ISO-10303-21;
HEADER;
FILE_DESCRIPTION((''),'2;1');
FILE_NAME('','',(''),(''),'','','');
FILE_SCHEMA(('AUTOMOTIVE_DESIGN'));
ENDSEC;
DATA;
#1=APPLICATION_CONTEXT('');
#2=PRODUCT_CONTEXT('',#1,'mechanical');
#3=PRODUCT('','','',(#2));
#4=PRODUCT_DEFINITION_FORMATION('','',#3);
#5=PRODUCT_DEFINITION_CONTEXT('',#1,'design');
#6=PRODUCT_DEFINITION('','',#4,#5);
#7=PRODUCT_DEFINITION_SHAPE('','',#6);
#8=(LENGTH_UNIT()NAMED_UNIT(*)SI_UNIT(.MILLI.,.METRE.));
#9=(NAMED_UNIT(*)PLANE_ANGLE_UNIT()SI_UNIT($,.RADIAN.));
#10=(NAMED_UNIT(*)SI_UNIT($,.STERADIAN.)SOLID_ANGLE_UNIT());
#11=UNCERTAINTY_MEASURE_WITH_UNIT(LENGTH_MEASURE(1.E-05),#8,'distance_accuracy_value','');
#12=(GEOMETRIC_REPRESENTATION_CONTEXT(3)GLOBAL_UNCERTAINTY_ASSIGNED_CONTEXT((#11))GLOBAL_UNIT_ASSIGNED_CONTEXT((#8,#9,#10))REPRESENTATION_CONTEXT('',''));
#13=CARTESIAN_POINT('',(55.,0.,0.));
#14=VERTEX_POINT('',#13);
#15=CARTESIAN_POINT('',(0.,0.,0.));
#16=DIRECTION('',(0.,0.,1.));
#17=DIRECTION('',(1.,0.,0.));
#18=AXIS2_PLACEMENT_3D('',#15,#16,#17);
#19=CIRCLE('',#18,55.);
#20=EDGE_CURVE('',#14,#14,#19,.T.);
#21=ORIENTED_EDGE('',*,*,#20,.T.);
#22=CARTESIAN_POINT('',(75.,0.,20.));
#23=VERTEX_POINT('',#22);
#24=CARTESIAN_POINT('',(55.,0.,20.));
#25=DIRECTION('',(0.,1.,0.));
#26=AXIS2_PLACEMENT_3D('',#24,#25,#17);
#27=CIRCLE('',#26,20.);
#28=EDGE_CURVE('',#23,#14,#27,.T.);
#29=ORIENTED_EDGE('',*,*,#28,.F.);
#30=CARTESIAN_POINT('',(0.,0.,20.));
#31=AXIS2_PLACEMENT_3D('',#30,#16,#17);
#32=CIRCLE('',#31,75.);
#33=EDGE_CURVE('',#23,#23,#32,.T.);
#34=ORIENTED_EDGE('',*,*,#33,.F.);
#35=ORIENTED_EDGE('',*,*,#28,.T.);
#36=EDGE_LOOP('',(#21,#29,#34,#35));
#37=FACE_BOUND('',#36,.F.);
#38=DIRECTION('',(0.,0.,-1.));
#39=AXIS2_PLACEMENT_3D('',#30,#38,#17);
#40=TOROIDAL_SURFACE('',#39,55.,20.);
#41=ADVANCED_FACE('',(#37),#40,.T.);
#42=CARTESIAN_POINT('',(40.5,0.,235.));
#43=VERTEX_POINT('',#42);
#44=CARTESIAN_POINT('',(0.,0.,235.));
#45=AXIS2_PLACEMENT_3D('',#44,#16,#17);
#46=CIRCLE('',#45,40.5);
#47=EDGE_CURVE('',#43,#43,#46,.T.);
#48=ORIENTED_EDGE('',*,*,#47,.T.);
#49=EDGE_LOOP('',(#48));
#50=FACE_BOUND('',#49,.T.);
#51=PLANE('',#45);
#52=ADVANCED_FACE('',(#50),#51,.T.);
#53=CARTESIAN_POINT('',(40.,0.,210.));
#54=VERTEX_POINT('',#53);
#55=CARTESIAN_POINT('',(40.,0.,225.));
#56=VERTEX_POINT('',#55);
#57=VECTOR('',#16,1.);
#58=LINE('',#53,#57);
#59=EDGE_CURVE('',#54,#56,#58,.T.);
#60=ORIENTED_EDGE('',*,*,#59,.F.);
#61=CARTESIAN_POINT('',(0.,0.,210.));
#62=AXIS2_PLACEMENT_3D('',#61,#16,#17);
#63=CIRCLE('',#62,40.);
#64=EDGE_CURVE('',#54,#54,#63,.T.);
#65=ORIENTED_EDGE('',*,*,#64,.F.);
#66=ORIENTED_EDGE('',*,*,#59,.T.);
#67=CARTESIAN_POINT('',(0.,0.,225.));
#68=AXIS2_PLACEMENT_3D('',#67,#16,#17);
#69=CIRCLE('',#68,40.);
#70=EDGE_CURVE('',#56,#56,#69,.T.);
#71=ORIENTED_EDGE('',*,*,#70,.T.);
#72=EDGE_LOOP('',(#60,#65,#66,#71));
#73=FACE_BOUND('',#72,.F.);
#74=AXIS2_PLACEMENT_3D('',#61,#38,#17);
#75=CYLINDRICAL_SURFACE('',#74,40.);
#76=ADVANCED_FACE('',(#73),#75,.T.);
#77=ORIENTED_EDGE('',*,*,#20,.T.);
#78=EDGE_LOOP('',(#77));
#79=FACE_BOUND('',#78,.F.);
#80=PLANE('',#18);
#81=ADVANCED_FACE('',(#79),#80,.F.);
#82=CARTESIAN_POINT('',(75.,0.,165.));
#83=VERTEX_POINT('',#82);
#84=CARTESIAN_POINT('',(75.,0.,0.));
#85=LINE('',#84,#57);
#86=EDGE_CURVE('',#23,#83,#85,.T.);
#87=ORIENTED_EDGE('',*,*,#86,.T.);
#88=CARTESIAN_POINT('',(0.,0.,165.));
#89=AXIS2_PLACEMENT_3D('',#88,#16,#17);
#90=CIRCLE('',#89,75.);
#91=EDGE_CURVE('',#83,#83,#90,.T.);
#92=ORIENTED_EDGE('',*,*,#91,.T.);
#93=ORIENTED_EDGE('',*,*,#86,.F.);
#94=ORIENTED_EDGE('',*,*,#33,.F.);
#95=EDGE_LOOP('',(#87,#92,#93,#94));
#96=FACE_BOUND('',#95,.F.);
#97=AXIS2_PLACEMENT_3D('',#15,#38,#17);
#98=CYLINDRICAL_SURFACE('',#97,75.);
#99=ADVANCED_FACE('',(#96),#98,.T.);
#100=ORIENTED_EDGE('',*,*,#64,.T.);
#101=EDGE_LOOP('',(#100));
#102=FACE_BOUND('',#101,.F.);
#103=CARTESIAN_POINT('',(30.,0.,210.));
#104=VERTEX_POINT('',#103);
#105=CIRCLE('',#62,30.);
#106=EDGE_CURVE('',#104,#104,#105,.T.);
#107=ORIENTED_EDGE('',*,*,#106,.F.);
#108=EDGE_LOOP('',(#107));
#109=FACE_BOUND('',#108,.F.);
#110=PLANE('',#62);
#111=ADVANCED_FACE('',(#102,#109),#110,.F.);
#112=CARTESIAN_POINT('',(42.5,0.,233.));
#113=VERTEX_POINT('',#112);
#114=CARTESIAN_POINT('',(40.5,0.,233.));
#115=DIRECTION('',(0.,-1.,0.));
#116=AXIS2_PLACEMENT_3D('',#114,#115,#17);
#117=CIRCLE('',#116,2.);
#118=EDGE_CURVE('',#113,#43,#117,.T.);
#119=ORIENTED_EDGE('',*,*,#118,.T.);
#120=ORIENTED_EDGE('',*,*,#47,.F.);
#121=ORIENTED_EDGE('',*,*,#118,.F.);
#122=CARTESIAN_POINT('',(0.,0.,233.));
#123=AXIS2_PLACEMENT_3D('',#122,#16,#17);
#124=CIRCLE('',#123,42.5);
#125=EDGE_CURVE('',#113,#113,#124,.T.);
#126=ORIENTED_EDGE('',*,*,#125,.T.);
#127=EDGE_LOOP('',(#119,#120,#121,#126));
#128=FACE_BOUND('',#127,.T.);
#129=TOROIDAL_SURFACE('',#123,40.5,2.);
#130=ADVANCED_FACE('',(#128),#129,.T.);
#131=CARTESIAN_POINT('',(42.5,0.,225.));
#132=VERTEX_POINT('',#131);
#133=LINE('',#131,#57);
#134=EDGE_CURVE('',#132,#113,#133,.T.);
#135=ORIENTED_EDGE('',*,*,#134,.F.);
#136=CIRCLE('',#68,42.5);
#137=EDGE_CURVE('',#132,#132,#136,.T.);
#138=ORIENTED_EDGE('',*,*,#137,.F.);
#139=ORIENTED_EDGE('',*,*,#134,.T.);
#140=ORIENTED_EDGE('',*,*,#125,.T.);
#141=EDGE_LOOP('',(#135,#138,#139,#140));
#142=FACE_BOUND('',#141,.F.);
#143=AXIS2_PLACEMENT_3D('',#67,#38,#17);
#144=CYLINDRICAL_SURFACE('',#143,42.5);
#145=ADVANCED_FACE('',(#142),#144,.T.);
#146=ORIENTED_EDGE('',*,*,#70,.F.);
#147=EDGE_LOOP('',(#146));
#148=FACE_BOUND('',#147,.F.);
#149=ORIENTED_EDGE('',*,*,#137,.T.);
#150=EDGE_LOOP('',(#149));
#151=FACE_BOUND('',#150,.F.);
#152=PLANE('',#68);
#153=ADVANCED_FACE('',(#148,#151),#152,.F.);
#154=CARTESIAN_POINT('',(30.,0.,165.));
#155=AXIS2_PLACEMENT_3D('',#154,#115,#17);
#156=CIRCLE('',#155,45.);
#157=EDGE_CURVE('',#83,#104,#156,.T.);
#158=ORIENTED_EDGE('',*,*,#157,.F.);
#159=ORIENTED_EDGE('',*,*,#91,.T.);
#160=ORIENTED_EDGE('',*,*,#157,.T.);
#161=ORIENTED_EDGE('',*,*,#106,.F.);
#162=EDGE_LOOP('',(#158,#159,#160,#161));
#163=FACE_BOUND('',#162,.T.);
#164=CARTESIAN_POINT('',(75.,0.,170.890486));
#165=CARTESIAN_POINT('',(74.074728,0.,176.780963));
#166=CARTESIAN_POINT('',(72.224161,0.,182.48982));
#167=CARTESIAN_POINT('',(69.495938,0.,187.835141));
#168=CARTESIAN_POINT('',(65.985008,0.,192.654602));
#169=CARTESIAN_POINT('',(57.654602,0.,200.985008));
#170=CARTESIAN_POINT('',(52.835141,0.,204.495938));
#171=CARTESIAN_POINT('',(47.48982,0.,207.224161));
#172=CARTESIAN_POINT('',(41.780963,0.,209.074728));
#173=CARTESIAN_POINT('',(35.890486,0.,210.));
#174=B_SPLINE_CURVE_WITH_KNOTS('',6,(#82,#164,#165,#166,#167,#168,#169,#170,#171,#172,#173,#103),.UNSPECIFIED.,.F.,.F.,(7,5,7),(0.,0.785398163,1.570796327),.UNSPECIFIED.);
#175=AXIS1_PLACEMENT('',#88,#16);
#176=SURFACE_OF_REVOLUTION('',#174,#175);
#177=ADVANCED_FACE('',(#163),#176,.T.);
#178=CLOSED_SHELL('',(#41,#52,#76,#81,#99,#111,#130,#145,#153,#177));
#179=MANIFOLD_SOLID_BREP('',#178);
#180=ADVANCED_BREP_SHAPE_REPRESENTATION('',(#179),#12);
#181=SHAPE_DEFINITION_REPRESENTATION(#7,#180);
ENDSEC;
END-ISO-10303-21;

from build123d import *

# Parameters (mm, degrees)
SKETCH_R     = 75
PAD_DEPTH    = 210
FILLET_R     = 45
FILLET001_R  = 20
SKETCH001_R  = 40
PAD001_DEPTH = 15
SKETCH002_R  = 42.5
PAD002_DEPTH = 10
FILLET002_R  = 2


with BuildPart() as part:
    # Sketch → Pad (new body)
    with BuildSketch(Plane.XY):
        Circle(SKETCH_R)
    extrude(amount=PAD_DEPTH)

    # Fillet
    fillet_edges = [part.edges().sort_by_distance(p)[0] for p in [
        (-75, 0, 210),
    ]]
    fillet(fillet_edges, radius=FILLET_R)

    # Fillet001
    fillet001_edges = [part.edges().sort_by_distance(p)[0] for p in [
        (-75, 0, 0),
    ]]
    fillet(fillet001_edges, radius=FILLET001_R)

    # Sketch001 (on Face5 of Fillet001) → Pad001 (join)
    with BuildSketch(Plane.XY.offset(210)):
        Circle(SKETCH001_R)
    extrude(amount=PAD001_DEPTH)

    # Sketch002 (on Face3 of Pad001) → Pad002 (join)
    with BuildSketch(Plane.XY.offset(225)):
        Circle(SKETCH002_R)
    extrude(amount=PAD002_DEPTH)

    # Fillet002
    fillet002_edges = [part.edges().sort_by_distance(p)[0] for p in [
        (-42.5, 0, 235),
    ]]
    fillet(fillet002_edges, radius=FILLET002_R)


solid = part.part
